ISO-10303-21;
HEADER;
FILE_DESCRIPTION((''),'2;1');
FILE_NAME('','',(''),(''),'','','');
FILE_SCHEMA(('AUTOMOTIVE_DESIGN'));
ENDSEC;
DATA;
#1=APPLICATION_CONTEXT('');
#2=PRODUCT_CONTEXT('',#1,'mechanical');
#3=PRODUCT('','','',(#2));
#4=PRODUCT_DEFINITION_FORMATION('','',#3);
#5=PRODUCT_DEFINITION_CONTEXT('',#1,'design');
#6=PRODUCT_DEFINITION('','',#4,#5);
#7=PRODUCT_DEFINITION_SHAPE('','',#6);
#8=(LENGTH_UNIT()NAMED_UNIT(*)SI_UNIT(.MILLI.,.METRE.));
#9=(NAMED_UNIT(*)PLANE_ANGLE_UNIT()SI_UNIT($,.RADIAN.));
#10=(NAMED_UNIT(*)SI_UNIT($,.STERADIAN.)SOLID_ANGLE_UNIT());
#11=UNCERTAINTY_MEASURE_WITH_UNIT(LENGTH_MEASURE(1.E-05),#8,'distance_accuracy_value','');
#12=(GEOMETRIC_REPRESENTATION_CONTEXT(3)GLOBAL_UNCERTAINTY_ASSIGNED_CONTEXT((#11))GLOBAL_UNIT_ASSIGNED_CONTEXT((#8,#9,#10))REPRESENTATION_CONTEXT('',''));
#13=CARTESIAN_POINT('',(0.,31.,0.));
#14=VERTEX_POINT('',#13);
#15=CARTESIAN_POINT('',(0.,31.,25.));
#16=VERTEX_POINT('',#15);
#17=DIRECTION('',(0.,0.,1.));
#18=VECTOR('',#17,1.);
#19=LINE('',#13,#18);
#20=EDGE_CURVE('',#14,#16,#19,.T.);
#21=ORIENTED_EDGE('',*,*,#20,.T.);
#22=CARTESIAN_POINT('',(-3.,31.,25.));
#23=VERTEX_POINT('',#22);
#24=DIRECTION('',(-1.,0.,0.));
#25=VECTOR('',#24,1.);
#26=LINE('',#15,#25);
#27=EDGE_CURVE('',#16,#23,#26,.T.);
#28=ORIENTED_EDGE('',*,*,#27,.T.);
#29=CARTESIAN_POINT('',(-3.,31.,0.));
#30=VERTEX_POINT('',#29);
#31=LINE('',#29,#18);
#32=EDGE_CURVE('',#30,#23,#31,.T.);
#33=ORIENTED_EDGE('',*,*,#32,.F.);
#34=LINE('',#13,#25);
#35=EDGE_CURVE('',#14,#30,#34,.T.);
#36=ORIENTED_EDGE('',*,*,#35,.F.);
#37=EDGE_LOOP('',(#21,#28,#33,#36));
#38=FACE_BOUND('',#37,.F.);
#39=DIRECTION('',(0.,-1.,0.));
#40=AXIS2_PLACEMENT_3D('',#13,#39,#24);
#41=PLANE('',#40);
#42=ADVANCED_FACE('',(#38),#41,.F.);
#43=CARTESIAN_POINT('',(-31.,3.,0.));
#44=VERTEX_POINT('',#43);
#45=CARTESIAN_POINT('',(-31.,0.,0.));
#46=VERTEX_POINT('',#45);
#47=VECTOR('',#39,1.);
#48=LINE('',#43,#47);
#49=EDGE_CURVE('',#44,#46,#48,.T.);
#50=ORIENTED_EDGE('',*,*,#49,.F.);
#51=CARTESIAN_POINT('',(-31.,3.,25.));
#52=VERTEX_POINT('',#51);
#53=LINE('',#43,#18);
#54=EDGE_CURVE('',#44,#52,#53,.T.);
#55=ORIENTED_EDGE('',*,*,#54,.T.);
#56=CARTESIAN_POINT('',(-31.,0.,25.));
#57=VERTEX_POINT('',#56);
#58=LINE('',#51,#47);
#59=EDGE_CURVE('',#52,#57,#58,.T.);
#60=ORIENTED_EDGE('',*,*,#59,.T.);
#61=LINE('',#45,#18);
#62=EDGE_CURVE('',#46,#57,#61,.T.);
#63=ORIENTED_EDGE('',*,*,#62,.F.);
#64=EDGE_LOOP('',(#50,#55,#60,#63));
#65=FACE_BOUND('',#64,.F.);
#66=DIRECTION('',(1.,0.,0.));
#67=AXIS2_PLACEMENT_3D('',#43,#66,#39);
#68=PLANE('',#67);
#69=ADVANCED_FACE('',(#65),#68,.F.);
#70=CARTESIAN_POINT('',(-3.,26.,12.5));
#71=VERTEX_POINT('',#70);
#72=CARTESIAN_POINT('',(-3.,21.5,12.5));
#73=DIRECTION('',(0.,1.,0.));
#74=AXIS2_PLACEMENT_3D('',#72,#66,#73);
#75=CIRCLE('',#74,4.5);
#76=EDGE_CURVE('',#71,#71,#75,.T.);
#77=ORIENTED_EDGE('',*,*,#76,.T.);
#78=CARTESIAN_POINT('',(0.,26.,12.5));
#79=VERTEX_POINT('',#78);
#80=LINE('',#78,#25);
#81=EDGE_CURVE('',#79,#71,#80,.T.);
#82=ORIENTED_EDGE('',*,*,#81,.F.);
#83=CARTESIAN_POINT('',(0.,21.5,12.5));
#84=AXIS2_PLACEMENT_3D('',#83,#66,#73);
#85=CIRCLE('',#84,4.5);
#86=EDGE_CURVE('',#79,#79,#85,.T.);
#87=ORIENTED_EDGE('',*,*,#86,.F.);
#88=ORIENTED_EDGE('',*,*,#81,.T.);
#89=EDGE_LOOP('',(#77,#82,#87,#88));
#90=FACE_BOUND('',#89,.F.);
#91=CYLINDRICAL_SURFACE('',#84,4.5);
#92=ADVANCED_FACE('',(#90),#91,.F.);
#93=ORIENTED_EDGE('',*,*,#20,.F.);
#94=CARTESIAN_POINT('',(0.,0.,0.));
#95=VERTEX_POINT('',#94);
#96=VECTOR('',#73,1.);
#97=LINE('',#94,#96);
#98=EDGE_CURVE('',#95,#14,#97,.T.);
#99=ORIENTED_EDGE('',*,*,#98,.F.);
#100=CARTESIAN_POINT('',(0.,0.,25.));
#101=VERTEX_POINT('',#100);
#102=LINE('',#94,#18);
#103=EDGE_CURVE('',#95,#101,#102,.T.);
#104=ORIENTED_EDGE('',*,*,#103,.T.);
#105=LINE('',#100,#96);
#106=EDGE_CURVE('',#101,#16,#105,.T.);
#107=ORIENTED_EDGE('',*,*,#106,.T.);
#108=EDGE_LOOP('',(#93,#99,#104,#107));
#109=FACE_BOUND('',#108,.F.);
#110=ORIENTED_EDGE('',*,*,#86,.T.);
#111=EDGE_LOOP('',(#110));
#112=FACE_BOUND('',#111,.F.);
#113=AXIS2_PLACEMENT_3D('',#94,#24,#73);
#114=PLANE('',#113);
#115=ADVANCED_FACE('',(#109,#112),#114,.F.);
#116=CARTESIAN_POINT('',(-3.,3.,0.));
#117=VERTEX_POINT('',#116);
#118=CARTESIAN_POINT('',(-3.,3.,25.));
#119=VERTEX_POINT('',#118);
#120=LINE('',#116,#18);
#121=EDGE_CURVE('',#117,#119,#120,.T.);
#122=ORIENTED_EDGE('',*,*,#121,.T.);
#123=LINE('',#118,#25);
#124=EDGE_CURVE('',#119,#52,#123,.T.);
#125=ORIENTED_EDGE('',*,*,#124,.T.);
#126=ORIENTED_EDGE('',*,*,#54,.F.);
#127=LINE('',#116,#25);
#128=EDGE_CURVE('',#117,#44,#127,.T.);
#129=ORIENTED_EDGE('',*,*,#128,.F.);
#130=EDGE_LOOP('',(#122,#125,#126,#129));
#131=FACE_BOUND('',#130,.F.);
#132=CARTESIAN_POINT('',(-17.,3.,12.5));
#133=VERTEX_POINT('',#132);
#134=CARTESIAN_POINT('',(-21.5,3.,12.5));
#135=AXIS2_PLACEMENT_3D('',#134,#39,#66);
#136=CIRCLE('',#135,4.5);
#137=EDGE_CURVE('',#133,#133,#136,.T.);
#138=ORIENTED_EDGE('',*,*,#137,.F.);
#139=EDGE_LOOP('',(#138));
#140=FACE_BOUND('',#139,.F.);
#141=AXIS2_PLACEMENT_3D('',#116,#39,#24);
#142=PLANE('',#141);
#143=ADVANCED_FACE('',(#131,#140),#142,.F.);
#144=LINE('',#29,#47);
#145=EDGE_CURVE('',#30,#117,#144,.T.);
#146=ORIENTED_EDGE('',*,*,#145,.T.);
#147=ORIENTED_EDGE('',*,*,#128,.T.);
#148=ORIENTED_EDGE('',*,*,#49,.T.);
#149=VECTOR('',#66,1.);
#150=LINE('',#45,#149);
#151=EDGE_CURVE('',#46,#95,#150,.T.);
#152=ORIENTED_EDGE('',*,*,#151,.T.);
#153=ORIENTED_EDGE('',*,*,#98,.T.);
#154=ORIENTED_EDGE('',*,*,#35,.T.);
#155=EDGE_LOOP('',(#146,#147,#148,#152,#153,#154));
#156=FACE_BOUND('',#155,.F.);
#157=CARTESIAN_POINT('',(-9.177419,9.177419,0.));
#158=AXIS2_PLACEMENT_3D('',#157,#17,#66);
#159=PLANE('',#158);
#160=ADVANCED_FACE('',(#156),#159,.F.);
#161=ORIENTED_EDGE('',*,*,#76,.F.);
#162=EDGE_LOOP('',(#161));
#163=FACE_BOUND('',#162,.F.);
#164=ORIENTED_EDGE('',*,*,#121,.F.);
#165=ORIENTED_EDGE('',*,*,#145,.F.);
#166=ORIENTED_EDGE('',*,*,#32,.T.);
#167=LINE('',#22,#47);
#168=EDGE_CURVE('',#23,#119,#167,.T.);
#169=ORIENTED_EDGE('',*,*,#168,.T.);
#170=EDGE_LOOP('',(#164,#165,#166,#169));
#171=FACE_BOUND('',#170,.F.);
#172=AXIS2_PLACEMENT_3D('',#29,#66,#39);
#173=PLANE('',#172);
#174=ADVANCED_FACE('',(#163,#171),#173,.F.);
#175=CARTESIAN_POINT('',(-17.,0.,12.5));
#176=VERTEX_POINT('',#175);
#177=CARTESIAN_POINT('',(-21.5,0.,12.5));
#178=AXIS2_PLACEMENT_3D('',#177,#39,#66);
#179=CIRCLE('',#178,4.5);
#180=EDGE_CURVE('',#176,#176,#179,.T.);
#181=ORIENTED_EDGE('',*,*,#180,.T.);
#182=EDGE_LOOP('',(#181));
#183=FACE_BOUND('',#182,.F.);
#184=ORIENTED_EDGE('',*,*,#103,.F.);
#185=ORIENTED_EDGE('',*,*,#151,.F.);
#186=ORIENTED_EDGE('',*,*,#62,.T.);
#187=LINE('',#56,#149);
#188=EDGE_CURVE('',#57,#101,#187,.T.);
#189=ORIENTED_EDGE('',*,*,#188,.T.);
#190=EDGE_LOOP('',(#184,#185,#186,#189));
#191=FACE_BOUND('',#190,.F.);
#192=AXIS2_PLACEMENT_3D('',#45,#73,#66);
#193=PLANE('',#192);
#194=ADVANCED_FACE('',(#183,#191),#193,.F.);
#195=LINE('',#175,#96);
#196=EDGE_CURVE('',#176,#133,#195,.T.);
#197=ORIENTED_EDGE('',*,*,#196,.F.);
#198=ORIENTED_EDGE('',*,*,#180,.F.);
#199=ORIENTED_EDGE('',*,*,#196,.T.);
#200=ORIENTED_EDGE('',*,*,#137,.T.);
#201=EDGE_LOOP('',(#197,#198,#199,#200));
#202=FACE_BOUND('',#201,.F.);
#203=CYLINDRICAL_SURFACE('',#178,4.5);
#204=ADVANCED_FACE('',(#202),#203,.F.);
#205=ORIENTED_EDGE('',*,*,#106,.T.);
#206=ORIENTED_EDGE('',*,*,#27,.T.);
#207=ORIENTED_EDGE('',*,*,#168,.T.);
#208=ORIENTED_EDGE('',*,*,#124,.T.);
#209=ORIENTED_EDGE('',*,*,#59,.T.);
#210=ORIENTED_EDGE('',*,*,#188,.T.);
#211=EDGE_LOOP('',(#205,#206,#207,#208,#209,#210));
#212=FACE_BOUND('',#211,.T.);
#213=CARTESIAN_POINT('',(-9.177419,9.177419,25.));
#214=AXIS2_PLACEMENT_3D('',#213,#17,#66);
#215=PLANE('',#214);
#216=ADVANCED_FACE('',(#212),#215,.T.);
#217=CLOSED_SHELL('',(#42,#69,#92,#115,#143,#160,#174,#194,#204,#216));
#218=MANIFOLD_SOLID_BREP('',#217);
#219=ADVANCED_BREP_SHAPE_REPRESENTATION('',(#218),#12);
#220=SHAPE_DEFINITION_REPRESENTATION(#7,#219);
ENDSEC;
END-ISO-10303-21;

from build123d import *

# Parameters (mm, degrees)
F2_DEPTH = 25
F3_R     = 4.5
F4_DEPTH = 3
F5_R     = 4.5
F6_DEPTH = 3


with BuildPart() as f2:
    # F1 (on Top) → F2 (new body)
    with BuildSketch(Plane.XY):
        Polygon((-31, 0), (0, 0), (0, 31), (-3, 31), (-3, 3), (-31, 3), align=None)
    extrude(amount=F2_DEPTH)

    # F3 (on face) → F4 (cut, through all)
    with BuildSketch(Plane.XZ):
        with Locations((-21.5, 12.5)):
            Circle(F3_R)
    extrude(amount=-F4_DEPTH, mode=Mode.SUBTRACT)

    # F5 (on face) → F6 (cut, through all)
    with BuildSketch(Plane.YZ):
        with Locations((21.5, 12.5)):
            Circle(F5_R)
    extrude(amount=-F6_DEPTH, mode=Mode.SUBTRACT)


solid = f2.part
